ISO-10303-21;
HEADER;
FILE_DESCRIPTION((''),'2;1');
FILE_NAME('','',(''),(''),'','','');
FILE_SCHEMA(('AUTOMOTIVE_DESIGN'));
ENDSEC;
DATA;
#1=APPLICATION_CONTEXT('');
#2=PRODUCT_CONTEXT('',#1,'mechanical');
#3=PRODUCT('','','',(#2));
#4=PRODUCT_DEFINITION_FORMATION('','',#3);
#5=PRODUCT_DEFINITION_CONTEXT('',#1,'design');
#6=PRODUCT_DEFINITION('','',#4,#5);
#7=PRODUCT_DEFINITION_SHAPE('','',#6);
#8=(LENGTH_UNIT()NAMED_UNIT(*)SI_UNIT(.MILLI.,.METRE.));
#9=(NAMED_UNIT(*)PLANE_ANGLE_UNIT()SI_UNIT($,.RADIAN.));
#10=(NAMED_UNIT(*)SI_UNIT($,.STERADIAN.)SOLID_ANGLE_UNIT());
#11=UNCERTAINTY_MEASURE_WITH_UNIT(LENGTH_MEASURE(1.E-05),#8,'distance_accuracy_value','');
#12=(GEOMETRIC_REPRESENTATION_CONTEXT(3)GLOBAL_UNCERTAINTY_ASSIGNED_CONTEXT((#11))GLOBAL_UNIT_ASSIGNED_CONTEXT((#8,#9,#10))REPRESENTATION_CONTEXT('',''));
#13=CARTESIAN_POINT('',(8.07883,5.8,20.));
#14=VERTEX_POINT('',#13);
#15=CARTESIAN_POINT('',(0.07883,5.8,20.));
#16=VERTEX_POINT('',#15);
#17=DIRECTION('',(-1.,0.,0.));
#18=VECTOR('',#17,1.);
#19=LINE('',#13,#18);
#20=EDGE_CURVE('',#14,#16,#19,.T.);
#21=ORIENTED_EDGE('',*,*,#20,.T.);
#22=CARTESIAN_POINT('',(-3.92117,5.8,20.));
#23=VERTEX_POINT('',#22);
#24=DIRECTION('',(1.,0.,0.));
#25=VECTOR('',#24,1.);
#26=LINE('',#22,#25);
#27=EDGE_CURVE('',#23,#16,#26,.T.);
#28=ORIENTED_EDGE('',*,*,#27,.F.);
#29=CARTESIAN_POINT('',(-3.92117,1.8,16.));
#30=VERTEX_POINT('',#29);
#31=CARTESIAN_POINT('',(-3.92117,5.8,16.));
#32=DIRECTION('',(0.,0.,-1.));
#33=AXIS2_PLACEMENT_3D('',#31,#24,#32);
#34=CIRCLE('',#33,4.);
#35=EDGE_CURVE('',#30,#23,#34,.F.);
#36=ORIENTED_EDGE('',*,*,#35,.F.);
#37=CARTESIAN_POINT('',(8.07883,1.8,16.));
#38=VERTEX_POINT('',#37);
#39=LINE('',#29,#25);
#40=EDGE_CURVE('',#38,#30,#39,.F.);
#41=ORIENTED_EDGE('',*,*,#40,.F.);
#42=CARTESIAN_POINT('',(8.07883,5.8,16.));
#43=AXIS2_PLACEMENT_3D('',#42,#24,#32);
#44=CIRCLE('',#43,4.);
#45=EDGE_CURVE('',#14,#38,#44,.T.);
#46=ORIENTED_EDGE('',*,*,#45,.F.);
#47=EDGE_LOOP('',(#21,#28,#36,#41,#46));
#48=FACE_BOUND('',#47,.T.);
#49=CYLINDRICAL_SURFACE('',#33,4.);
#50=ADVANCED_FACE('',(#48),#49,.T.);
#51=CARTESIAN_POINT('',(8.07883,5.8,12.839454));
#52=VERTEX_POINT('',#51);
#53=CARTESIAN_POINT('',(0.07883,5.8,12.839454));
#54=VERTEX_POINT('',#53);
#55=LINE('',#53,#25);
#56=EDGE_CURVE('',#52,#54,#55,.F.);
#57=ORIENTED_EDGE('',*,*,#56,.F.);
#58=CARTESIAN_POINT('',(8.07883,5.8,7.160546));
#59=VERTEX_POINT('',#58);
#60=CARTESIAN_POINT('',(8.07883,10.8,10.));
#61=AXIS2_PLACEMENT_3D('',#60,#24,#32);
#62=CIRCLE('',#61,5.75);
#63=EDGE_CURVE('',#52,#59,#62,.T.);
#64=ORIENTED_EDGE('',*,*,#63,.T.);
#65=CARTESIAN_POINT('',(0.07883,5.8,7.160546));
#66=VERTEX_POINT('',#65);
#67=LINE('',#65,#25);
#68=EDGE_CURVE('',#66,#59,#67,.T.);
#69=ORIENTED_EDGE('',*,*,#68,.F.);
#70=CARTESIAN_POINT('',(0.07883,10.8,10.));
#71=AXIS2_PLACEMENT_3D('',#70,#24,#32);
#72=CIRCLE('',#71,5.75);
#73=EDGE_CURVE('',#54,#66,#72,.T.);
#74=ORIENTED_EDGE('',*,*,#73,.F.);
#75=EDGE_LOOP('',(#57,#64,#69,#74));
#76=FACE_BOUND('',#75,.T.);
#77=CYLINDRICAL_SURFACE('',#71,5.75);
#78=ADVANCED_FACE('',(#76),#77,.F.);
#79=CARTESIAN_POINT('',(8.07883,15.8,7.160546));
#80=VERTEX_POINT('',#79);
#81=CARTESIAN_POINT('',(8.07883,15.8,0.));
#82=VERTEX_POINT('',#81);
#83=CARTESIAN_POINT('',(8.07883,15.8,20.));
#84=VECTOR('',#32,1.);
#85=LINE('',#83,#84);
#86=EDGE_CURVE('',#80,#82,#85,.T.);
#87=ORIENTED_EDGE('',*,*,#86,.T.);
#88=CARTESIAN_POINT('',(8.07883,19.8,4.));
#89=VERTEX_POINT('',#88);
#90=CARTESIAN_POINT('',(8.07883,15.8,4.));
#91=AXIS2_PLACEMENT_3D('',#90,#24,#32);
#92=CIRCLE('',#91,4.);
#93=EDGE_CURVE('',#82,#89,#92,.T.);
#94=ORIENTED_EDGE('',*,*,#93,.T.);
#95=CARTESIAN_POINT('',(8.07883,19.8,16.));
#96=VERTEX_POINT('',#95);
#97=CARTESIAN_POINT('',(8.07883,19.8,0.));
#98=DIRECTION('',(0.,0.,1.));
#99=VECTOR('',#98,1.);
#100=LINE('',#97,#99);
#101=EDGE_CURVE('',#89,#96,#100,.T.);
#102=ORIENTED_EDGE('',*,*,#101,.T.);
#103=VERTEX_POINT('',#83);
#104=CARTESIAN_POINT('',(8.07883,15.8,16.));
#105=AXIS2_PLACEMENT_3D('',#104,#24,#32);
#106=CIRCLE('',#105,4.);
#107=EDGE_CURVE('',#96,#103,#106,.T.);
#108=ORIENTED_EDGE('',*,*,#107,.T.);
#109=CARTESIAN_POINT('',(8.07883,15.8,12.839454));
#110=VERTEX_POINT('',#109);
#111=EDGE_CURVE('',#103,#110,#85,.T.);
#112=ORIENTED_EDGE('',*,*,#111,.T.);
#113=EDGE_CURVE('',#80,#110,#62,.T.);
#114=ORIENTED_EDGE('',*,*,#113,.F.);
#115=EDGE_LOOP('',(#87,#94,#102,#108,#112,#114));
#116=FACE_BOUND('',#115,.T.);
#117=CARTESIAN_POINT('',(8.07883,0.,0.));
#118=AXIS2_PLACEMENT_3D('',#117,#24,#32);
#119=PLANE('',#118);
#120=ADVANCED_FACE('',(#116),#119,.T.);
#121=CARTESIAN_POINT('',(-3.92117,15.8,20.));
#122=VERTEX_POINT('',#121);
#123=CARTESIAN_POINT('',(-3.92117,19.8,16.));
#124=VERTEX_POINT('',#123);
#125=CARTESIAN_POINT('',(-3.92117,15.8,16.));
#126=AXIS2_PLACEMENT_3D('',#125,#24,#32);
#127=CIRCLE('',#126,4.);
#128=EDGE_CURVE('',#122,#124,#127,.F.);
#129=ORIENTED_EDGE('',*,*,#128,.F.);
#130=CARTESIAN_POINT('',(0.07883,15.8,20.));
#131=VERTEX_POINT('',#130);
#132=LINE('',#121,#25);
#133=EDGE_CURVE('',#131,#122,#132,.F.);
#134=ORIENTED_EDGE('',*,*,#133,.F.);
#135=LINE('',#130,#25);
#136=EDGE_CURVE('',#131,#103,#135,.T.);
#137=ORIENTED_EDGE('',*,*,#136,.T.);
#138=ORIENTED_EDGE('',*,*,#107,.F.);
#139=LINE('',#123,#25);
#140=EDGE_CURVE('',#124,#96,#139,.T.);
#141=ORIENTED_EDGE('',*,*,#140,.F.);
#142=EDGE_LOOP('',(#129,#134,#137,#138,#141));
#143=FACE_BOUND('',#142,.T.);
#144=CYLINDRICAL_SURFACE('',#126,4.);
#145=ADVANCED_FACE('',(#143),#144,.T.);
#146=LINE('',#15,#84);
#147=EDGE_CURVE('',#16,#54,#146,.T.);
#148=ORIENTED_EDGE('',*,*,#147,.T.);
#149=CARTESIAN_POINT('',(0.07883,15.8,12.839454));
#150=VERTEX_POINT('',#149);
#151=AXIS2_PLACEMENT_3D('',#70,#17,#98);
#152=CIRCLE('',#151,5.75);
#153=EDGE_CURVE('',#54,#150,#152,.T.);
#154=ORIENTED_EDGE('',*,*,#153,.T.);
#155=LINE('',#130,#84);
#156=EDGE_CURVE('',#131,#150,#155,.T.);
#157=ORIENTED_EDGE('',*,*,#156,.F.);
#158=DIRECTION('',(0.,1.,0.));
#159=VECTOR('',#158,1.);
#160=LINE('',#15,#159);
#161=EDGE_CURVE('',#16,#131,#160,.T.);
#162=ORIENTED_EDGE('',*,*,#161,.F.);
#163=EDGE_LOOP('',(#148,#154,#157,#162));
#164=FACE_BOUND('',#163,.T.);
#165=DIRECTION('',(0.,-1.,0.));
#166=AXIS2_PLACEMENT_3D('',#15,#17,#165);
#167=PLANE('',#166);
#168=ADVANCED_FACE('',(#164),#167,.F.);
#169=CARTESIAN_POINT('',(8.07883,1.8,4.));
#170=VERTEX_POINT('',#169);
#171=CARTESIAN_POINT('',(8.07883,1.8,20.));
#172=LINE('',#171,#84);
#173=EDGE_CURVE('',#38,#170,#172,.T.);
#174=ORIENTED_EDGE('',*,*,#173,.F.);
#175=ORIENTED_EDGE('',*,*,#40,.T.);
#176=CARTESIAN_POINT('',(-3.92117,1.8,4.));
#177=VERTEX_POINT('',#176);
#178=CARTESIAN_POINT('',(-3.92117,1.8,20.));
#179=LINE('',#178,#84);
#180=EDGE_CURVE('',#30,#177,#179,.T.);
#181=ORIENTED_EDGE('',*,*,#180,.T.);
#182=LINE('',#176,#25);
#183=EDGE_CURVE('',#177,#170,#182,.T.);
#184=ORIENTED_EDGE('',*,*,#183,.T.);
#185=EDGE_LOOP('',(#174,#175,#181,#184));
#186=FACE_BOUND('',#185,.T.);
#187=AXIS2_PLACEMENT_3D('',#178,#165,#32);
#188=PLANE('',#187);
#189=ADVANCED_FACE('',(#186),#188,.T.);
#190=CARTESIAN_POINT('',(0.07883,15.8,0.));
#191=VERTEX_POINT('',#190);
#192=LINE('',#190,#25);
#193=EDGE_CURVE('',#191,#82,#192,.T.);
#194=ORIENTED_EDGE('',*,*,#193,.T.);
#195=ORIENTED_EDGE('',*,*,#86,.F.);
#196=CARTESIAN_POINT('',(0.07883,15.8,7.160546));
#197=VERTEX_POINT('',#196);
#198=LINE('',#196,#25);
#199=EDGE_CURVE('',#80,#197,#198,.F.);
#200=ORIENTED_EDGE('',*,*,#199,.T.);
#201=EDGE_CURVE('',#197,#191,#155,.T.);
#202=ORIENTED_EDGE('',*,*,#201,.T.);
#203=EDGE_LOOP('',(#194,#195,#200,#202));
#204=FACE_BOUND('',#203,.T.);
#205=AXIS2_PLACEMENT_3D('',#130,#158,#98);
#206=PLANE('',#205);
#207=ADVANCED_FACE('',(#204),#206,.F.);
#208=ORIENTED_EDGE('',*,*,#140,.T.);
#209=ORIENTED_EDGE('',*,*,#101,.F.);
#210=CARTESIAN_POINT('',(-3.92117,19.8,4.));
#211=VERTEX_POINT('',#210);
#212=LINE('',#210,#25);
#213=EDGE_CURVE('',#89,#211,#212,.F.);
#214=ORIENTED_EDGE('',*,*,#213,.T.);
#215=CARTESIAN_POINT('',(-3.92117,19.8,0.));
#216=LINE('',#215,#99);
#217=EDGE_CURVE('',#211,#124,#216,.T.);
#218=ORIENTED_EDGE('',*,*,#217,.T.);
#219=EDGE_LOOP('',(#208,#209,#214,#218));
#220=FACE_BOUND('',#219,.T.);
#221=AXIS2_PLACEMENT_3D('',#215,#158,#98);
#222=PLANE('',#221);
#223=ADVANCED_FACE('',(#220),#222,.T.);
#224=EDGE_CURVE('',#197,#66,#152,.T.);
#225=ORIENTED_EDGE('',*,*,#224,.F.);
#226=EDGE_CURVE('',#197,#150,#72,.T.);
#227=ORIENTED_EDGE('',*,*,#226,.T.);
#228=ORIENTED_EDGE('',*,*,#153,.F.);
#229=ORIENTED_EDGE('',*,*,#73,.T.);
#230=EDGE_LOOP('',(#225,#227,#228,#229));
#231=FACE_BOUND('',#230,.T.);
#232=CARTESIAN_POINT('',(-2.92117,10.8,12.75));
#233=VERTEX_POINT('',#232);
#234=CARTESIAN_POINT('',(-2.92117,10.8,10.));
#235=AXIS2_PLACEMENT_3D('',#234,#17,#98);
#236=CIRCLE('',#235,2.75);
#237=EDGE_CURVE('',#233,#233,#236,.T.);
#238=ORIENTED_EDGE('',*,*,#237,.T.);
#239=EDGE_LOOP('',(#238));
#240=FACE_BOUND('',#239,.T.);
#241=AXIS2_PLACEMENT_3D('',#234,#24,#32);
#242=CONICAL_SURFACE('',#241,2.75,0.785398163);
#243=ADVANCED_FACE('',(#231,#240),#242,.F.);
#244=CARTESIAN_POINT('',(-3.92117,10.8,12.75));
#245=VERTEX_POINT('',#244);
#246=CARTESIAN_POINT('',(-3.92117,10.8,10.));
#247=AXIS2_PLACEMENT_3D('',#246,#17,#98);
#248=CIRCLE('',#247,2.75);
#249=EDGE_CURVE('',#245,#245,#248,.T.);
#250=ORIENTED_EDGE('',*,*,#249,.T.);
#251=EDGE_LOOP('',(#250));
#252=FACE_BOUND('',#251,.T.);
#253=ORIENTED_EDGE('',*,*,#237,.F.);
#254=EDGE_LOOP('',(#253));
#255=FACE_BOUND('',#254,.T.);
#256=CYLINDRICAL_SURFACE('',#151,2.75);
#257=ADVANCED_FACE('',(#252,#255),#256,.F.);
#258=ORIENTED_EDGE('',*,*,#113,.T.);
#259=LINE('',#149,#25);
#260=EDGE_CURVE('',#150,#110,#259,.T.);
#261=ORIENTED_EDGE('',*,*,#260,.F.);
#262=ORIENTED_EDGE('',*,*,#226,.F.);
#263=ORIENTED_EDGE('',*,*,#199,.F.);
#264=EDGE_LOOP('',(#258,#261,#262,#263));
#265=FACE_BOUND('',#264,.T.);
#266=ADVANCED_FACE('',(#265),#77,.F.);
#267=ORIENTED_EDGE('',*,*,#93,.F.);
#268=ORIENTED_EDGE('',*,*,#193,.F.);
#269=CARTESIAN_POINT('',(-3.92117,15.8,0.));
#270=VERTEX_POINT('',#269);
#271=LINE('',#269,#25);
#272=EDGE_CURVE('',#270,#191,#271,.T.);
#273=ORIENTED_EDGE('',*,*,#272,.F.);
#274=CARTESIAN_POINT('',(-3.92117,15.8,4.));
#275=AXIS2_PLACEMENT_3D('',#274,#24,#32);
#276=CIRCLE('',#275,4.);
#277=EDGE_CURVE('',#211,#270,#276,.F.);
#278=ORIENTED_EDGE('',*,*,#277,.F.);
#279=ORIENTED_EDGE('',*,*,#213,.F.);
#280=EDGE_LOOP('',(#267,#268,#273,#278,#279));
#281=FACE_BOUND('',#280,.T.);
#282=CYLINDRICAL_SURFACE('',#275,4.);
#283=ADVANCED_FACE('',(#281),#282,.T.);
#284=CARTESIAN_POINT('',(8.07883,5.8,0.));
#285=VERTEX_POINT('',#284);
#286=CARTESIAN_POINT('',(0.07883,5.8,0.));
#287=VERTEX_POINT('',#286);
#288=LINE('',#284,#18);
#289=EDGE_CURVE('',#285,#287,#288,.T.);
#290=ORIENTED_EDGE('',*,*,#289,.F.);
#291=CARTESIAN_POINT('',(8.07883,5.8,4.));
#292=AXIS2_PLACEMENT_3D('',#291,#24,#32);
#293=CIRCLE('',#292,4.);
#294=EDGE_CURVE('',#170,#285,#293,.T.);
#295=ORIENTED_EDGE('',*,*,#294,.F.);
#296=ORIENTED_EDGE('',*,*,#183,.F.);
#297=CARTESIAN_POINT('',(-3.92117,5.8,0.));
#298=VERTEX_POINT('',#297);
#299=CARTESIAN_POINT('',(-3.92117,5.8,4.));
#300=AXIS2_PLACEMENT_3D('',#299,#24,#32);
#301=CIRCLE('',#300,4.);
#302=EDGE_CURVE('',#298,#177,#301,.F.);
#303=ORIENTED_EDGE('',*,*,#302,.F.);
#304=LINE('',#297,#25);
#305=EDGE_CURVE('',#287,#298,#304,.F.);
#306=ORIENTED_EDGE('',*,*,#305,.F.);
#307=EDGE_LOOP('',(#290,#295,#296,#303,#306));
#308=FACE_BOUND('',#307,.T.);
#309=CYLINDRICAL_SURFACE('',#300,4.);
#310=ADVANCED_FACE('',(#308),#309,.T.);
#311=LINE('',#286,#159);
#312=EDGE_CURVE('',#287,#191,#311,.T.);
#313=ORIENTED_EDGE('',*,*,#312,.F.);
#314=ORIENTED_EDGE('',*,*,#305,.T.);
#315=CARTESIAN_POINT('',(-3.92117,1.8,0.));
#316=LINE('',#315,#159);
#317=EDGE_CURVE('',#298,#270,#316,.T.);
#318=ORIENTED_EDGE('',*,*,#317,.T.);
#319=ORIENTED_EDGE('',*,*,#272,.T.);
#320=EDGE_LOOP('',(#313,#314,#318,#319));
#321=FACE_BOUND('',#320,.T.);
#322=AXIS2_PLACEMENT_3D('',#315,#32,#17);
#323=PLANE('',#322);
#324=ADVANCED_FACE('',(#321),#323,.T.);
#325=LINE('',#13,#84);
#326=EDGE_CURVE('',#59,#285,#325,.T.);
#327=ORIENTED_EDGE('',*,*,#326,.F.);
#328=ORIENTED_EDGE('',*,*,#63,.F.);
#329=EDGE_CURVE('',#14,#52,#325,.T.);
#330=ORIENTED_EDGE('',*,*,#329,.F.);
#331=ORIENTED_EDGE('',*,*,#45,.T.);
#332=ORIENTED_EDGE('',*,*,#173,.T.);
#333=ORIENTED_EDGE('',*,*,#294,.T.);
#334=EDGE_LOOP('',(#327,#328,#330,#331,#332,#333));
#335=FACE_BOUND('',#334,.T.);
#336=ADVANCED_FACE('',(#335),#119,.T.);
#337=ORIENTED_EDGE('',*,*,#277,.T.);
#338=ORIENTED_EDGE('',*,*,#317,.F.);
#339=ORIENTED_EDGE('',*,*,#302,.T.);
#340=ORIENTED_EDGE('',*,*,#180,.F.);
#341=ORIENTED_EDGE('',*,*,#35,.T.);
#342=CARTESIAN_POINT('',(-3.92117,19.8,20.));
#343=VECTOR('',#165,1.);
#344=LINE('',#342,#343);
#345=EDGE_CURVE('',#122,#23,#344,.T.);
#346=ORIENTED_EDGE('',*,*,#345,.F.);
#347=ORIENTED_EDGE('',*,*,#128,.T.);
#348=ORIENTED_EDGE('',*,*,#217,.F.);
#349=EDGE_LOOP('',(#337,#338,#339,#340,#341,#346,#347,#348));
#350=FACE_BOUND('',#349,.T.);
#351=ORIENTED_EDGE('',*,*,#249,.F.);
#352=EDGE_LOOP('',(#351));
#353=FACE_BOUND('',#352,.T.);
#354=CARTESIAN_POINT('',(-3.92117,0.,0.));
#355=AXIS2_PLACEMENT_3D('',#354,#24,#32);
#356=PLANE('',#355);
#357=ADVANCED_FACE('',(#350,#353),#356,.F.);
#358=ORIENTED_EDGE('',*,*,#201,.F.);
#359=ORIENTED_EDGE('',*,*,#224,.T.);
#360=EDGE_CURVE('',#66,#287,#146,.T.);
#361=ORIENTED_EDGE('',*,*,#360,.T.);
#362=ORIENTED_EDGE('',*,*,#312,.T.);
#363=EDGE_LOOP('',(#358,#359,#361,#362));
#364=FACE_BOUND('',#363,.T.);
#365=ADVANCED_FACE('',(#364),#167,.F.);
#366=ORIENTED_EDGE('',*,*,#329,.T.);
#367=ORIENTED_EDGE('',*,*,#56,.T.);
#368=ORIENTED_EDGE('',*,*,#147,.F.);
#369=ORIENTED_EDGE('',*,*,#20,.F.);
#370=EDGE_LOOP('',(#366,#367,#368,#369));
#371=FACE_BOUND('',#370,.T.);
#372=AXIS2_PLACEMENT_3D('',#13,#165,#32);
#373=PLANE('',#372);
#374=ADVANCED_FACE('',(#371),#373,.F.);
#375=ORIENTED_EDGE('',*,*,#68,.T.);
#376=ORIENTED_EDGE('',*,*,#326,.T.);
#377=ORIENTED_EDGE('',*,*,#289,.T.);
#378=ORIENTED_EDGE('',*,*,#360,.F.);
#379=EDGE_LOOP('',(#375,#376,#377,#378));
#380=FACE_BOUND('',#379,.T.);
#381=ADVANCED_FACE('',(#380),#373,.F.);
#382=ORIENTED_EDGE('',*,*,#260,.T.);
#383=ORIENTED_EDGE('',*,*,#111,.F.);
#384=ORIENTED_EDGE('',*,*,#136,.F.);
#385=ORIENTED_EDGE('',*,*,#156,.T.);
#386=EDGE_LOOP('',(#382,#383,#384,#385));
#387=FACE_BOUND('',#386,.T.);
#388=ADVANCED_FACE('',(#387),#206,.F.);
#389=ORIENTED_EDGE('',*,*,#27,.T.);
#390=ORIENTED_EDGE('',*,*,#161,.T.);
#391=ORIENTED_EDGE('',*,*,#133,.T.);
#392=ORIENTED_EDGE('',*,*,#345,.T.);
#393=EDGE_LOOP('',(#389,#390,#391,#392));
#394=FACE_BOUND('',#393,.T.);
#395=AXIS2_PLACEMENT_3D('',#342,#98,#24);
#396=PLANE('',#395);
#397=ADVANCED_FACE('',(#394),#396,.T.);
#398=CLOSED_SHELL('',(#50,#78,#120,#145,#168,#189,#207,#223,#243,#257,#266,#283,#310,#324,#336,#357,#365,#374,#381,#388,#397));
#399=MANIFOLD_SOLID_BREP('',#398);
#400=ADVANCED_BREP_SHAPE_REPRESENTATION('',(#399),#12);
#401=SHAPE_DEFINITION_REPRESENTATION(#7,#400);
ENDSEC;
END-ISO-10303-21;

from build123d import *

# Parameters (mm, degrees)
ESQUISSE1_W             = 20
ESQUISSE1_H             = 18
BOSS_EXTRU_1_DEPTH      = 12
ESQUISSE2_W             = 8
ESQUISSE2_H             = 10
ENL_V_MAT_EXTRU_1_DEPTH = 21
ESQUISSE3_R             = 5.75
ENL_V_MAT_EXTRU_2_DEPTH = 8
CONG_2_R                = 4


with BuildPart() as part:
    # Esquisse1 → Boss.-Extru.1 (new body)
    with BuildSketch(Plane(origin=(8.078830023, 0, 0), x_dir=(0, 0, -1), z_dir=(1, 0, 0))):
        with Locations((-10, 10.8)):
            Rectangle(ESQUISSE1_W, ESQUISSE1_H)
    extrude(amount=-BOSS_EXTRU_1_DEPTH)

    # Esquisse2 → Enlèv. mat.-Extru.1 (cut, through all)
    with BuildSketch(Plane(origin=(0, 0, 0), x_dir=(-1, 0, 0), z_dir=(0, 0, -1))):
        with Locations((-4.078830023, 10.8)):
            Rectangle(ESQUISSE2_W, ESQUISSE2_H)
    extrude(amount=-ENL_V_MAT_EXTRU_1_DEPTH, mode=Mode.SUBTRACT)

    # Esquisse3 → Enlèv. mat.-Extru.2 (cut)
    with BuildSketch(Plane(origin=(8.078830023, 0, 0), x_dir=(0, 0, -1), z_dir=(1, 0, 0))):
        with Locations((-9.999999999, 10.8)):
            Circle(ESQUISSE3_R)
    extrude(amount=-ENL_V_MAT_EXTRU_2_DEPTH, mode=Mode.SUBTRACT)

    # Esquisse5 → Enlèvement de matière-Révolution1 (revolve, cut)
    with BuildSketch(Plane(origin=(0, 0, 10), x_dir=(-1, 0, 0), z_dir=(0, 0, -1)), mode=Mode.PRIVATE) as enl_vement_de_mati_re_r_volution1_sk:
        Polygon((-0.078830023, 16.55), (-0.078830023, 10.8), (3.921169977, 10.8), (3.921169977, 13.55), (2.921169977, 13.55), align=None)
    revolve(enl_vement_de_mati_re_r_volution1_sk.sketch.rotate(Axis((0.078830023, 10.8, 10), (-1, 0, 0)), 29.591845803), axis=Axis((0.078830023, 10.8, 10), (-1, 0, 0)), mode=Mode.SUBTRACT)  # turned: the seam where the file's is

    # Congé2
    cong_2_edges = [part.edges().sort_by_distance(p)[0] for p in [
        (2.078830023, 1.8, 20),
        (2.078830023, 19.8, 0),
        (2.078830023, 1.8, 0),
        (2.078830023, 19.8, 20),
    ]]
    fillet(cong_2_edges, radius=CONG_2_R)


solid = part.part
